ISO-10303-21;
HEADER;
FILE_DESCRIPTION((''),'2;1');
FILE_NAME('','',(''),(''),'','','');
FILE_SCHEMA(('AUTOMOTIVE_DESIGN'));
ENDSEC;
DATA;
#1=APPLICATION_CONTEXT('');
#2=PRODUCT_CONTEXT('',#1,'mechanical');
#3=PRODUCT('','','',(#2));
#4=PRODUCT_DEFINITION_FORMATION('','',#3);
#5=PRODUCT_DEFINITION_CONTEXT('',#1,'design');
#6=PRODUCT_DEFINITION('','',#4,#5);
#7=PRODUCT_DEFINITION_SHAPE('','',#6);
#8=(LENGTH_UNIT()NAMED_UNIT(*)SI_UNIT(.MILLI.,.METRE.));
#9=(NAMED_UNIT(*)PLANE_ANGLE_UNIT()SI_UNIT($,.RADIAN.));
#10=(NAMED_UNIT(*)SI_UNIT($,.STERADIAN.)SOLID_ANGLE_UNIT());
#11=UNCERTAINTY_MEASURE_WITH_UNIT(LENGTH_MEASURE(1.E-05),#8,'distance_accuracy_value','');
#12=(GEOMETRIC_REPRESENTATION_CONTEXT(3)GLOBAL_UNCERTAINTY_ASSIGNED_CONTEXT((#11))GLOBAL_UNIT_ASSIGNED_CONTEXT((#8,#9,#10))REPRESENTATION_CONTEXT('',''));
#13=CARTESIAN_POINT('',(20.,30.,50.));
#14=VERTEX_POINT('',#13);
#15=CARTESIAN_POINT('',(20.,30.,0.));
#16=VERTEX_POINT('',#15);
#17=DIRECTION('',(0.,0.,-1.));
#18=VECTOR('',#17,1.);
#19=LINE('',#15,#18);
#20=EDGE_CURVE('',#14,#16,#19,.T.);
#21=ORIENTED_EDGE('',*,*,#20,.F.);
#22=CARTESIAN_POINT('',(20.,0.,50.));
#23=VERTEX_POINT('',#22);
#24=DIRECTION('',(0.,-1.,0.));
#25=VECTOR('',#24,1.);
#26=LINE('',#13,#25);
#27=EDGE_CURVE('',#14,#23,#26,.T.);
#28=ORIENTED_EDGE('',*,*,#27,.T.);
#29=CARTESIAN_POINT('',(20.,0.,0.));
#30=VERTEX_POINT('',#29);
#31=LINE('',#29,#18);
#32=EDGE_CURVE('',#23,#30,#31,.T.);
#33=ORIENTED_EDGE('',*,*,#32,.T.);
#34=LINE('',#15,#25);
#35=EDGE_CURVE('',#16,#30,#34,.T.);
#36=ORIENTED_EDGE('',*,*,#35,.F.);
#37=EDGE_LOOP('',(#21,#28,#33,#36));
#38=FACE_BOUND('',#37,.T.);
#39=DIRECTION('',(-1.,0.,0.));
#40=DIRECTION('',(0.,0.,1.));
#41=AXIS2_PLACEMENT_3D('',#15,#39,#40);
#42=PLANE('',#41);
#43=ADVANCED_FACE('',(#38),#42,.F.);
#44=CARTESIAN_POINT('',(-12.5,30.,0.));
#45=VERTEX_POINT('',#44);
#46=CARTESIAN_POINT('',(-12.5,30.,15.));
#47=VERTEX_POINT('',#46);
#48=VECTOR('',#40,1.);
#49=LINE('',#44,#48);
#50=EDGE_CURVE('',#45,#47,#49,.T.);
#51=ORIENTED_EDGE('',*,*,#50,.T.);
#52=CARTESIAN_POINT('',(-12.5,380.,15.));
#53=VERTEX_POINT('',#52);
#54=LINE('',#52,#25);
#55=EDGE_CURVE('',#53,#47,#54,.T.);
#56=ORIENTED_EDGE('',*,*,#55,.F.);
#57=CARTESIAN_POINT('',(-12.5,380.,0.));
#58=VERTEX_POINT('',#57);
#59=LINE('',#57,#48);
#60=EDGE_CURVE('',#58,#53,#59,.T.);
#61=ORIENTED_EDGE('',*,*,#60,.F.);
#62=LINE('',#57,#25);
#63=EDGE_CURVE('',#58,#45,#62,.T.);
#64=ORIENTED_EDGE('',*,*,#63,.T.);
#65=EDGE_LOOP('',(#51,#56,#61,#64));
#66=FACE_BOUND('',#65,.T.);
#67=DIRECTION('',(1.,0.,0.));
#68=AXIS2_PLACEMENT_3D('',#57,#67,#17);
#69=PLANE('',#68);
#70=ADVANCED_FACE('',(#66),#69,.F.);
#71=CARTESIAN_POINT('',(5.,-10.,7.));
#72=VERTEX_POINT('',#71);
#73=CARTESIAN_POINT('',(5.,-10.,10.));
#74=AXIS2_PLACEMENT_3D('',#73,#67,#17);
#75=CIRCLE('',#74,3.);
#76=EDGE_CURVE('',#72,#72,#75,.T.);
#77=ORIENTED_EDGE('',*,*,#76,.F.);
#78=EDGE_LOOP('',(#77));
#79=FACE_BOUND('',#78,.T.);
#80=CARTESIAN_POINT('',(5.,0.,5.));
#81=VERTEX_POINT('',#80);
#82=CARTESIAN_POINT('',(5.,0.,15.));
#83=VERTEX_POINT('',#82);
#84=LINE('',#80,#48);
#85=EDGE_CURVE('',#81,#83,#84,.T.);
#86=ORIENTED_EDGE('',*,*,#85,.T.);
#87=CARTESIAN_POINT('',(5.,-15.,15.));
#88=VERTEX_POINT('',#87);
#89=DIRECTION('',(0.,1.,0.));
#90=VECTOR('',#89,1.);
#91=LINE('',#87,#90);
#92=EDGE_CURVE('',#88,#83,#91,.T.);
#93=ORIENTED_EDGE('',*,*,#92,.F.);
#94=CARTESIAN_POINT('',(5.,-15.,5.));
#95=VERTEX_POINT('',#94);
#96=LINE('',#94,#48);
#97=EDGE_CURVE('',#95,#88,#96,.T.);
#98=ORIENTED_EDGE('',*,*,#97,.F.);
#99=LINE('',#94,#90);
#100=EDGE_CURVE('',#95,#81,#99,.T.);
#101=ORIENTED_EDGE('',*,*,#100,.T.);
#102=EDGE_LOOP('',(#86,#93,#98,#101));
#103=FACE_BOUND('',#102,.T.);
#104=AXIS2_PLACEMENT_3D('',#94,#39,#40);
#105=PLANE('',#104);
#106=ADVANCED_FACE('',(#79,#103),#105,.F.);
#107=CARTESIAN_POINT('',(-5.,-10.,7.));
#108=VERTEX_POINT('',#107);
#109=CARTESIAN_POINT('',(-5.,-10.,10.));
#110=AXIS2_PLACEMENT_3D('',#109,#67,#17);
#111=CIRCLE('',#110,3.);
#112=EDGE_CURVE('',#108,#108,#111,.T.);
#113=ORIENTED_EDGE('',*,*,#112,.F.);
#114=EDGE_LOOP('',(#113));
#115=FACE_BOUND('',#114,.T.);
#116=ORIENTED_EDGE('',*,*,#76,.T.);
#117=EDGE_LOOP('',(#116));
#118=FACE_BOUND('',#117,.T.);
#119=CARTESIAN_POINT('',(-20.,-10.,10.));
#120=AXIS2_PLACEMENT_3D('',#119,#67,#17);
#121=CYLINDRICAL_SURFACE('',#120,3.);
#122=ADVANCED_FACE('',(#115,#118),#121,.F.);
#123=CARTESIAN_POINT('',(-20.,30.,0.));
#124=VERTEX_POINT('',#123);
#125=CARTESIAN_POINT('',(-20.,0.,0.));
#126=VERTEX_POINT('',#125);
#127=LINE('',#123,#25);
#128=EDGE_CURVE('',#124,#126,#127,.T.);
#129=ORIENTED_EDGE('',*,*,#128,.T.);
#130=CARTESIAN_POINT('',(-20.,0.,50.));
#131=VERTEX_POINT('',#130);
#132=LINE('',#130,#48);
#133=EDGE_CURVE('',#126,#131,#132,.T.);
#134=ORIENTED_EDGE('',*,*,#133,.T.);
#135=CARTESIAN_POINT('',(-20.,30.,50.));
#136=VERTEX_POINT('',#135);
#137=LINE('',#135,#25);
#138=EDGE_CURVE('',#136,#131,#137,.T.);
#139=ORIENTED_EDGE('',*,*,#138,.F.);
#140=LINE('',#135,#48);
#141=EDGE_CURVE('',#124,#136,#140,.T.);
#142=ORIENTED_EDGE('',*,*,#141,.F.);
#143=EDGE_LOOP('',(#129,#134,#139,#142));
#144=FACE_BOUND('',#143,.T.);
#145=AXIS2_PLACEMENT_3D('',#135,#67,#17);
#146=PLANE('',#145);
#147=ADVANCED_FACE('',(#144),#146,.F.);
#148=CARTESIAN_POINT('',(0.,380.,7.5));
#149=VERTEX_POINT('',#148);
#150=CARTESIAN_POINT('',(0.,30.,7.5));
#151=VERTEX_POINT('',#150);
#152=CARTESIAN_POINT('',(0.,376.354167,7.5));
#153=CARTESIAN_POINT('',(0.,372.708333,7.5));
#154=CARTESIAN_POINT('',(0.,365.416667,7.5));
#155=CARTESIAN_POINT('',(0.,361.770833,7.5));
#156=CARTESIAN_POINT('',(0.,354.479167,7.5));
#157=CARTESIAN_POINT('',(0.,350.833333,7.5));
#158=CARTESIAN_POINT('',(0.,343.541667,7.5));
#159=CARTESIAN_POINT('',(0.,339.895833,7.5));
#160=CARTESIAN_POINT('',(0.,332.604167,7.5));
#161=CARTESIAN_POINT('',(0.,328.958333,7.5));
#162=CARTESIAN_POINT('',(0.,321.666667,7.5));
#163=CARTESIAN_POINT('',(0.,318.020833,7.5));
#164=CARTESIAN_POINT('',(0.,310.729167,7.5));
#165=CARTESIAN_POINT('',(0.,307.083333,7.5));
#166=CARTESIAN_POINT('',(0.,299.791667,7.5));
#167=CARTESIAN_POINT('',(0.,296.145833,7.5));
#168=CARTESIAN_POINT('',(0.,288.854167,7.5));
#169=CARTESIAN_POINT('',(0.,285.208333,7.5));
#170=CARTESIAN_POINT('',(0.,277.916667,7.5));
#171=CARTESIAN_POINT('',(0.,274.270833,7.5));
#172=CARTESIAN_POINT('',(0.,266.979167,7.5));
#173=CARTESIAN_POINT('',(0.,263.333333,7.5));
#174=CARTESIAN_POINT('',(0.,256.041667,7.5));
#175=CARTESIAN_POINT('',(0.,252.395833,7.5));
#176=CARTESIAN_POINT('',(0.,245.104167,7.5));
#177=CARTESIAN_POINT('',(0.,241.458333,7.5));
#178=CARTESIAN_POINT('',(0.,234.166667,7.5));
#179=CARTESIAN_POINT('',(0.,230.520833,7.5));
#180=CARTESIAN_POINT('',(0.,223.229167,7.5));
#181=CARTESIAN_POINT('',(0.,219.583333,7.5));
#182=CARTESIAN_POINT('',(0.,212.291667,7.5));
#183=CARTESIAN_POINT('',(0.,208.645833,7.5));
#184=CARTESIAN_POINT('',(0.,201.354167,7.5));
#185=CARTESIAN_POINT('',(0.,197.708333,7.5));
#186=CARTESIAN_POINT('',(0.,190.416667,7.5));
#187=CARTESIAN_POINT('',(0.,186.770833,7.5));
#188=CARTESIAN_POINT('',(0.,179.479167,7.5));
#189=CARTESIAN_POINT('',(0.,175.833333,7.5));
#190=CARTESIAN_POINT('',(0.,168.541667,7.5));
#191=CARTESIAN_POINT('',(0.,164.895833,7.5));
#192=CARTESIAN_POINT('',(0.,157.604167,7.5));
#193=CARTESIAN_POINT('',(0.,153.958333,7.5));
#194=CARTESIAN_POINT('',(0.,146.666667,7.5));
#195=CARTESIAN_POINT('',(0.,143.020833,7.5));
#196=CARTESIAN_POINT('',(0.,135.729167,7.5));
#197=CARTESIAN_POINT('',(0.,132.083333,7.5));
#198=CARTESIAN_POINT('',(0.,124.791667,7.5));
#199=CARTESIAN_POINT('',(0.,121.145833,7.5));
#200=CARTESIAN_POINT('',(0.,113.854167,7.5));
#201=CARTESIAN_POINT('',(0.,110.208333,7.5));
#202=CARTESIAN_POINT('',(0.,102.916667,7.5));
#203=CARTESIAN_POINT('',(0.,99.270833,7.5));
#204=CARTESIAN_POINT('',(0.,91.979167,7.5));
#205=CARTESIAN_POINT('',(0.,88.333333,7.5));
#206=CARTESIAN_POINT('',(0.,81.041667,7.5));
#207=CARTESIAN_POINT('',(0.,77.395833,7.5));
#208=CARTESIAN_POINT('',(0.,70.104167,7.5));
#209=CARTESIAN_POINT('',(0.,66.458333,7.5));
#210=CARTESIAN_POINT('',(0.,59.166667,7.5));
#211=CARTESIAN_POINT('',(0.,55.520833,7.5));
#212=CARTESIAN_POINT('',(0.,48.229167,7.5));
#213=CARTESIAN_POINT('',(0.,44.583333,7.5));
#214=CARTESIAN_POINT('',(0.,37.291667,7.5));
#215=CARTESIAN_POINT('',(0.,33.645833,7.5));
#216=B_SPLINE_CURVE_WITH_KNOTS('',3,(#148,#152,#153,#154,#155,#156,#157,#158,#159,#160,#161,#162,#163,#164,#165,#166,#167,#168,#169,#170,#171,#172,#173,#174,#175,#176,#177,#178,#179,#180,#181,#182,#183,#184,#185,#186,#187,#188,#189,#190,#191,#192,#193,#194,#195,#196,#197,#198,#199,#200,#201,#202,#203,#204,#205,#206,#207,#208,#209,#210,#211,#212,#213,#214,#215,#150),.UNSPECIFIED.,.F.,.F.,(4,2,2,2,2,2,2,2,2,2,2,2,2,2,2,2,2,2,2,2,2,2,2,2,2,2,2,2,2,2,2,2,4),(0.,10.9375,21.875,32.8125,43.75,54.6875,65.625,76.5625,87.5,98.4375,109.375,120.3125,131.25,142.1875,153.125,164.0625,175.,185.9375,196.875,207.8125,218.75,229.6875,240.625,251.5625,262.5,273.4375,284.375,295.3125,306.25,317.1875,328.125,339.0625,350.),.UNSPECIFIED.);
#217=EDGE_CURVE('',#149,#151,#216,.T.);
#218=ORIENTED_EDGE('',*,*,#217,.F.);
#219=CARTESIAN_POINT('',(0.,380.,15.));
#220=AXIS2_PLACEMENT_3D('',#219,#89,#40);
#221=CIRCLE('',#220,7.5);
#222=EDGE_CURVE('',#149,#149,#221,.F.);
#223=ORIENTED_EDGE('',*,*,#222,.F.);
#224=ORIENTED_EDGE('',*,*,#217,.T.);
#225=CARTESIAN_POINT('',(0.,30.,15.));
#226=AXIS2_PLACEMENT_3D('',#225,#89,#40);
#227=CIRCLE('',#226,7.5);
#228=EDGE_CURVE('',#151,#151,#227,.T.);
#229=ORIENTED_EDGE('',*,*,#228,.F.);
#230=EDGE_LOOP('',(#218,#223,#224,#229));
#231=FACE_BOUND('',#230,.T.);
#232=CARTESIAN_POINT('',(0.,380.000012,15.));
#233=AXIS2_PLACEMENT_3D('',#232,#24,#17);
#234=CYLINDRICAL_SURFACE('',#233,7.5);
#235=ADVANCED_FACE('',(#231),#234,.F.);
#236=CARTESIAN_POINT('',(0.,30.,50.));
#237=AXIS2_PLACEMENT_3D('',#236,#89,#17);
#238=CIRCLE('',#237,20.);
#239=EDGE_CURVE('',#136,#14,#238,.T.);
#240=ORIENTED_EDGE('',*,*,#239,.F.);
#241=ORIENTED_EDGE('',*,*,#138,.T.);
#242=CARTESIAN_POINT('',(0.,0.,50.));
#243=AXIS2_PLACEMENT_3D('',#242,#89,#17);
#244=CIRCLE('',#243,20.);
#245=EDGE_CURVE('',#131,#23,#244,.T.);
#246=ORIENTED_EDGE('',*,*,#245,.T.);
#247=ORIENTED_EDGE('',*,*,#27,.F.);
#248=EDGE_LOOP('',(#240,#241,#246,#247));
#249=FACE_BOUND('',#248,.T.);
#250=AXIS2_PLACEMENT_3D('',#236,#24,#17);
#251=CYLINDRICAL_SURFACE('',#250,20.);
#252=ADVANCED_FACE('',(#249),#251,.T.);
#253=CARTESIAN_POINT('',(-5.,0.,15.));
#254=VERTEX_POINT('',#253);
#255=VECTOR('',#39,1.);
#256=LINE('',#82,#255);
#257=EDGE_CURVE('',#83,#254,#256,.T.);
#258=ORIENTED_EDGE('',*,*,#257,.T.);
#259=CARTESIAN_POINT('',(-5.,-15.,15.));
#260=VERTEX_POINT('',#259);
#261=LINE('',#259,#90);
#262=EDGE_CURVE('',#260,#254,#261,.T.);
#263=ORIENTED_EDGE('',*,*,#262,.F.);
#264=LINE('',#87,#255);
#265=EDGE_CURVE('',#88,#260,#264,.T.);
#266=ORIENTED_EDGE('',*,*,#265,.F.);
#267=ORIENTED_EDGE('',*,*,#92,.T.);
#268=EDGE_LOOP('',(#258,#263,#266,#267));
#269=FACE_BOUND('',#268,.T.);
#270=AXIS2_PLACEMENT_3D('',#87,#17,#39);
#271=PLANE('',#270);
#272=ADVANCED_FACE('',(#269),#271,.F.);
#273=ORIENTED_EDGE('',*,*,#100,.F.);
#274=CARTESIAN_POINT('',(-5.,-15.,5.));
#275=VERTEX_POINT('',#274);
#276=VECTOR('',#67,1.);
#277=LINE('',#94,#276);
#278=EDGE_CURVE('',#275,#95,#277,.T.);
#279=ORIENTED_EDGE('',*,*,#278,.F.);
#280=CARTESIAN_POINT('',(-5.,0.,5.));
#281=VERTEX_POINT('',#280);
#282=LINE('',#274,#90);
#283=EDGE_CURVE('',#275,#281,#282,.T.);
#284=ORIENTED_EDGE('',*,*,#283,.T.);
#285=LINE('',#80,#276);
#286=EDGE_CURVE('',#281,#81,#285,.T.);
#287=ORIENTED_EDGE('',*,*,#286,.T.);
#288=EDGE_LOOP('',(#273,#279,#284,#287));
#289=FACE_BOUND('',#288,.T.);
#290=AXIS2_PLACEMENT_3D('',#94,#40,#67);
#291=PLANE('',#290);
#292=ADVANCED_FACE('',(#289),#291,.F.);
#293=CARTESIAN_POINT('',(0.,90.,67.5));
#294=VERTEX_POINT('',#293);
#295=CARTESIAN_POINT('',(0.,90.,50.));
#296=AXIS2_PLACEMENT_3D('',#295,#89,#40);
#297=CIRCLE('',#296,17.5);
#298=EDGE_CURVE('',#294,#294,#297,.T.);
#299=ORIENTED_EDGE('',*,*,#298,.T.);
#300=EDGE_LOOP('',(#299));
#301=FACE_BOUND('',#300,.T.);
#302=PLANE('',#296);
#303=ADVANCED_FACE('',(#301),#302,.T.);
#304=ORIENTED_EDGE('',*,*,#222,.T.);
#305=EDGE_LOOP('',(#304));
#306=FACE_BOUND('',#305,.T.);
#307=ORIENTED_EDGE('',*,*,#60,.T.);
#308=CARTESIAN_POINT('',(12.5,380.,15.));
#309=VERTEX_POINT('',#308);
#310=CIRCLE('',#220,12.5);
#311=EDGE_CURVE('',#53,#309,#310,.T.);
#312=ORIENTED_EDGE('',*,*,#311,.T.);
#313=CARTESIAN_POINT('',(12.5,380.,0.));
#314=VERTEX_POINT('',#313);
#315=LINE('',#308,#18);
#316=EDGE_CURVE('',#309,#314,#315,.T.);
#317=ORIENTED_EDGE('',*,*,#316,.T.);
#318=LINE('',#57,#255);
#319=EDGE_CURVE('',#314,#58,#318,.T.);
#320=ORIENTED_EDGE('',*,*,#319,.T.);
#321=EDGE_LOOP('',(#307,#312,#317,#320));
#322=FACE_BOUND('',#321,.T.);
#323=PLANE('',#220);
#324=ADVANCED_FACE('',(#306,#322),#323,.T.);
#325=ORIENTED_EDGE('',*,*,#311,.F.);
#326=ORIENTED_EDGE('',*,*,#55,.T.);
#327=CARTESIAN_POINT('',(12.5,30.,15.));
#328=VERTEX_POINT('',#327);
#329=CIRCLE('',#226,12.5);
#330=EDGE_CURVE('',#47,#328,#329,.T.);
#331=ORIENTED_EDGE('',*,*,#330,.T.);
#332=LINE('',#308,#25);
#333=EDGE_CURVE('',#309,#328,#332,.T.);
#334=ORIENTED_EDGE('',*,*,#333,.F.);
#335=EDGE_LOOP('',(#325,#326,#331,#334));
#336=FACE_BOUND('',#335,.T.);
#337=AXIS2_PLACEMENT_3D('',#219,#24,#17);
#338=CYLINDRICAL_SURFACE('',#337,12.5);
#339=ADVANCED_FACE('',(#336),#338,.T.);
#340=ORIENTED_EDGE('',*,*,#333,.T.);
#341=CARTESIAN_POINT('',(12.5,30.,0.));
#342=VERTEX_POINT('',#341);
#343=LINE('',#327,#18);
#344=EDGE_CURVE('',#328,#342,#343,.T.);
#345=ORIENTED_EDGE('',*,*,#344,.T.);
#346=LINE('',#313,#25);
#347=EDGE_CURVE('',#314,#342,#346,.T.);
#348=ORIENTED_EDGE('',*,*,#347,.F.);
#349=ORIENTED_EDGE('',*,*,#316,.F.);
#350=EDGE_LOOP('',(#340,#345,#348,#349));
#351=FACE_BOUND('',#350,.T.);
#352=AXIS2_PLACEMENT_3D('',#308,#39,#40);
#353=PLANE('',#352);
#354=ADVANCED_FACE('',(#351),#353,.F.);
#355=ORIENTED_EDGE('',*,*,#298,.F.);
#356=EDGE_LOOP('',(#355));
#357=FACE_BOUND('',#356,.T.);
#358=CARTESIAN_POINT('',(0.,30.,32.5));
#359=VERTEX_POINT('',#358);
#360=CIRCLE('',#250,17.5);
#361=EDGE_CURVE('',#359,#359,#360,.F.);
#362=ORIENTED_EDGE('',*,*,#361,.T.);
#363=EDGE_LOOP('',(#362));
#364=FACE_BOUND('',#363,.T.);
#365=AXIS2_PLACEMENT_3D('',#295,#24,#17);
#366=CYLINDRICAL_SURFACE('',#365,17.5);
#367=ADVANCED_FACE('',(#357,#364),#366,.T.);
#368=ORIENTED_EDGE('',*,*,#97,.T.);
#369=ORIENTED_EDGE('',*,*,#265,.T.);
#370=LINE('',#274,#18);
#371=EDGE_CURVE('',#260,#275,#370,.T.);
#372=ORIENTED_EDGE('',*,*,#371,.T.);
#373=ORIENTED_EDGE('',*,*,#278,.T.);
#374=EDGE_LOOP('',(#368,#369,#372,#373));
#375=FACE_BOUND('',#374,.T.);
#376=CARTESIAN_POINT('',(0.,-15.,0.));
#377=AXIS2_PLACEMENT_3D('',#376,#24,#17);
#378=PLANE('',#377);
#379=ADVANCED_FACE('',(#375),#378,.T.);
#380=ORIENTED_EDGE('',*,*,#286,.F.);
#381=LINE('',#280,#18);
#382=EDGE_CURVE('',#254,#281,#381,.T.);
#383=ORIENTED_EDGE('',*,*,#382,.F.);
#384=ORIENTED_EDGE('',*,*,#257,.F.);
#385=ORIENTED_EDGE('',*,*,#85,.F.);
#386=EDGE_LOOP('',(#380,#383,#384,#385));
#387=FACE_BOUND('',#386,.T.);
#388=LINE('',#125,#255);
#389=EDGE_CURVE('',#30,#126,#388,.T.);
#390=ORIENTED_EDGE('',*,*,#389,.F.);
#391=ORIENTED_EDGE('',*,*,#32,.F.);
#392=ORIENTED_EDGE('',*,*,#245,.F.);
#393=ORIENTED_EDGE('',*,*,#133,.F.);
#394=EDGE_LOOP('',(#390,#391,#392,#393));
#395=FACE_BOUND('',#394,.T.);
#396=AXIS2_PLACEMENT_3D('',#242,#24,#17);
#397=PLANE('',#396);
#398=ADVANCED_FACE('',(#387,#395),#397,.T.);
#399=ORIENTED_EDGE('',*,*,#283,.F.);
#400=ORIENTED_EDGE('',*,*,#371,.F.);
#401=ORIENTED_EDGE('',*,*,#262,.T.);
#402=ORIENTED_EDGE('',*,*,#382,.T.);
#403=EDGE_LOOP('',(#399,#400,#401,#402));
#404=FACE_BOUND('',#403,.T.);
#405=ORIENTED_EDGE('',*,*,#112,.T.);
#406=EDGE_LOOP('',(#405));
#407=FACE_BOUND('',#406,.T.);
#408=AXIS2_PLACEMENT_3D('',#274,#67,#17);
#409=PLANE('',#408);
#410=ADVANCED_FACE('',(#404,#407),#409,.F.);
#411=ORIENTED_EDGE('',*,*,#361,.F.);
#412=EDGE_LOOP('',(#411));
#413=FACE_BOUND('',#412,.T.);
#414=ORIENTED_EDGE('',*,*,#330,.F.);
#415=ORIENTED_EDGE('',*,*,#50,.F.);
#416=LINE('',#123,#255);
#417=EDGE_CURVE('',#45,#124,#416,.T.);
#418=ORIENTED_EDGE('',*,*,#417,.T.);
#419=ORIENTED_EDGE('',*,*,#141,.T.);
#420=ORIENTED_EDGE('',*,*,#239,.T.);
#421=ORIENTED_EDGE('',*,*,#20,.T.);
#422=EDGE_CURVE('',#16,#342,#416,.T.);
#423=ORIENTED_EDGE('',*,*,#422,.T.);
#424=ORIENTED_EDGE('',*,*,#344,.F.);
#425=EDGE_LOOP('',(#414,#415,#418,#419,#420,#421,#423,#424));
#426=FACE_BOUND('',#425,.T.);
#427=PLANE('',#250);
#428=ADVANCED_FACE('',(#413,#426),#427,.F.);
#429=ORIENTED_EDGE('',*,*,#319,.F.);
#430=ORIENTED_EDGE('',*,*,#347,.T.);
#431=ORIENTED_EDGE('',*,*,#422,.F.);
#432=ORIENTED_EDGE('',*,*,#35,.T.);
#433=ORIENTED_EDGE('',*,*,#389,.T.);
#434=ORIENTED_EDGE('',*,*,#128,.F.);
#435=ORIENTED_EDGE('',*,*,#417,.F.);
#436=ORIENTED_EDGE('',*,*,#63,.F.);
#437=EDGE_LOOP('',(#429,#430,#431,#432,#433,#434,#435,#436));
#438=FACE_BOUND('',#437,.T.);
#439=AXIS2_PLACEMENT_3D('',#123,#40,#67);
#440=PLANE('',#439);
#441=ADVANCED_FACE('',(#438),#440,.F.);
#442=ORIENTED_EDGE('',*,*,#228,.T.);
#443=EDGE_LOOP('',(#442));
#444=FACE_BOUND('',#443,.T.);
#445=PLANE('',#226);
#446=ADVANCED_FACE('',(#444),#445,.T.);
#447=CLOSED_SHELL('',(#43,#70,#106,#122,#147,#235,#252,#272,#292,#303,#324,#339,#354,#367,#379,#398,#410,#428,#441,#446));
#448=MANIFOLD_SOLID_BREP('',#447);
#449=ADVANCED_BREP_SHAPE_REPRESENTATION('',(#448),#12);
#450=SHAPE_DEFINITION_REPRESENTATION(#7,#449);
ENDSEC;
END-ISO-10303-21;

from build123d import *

# Parameters (mm, degrees)
BOSS_EXTRUDE1_DEPTH     = 30
SKETCH2_R               = 17.5
BOSS_EXTRUDE2_DEPTH     = 60
BOSS_EXTRUDE3_DEPTH     = 350
CUT_EXTRUDE1_DEPTH      = 387.910842443
CUT_EXTRUDE1_DEPTH_BACK = 350
SKETCH4_R               = 7.5
SKETCH5_W               = 10
SKETCH5_H               = 10
BOSS_EXTRUDE4_DEPTH     = 15
SKETCH6_R               = 3
CUT_EXTRUDE2_DEPTH      = 388.201497931


with BuildPart() as part:
    # Sketch1 → Boss-Extrude1 (new body)
    with BuildSketch(Plane(origin=(0, 0, 0), x_dir=(1, 0, 0), z_dir=(0, 1, 0))):
        with BuildLine():
            Line((-20, -50), (-20, 0))
            Line((-20, 0), (20, 0))
            Line((20, 0), (20, -50))
            ThreePointArc((20, -50), (0, -70), (-20, -50))
        make_face()
    extrude(amount=BOSS_EXTRUDE1_DEPTH)

    # Sketch2 → Boss-Extrude2 (add)
    with BuildSketch(Plane(origin=(0, 30, 0), x_dir=(1, 0, 0), z_dir=(0, 1, 0))):
        with Locations(Location((0, -50, 0), (0, 0, 90))):
            Circle(SKETCH2_R)
    extrude(amount=BOSS_EXTRUDE2_DEPTH)

    # Sketch3 → Boss-Extrude3 (add)
    with BuildSketch(Plane(origin=(0, 30, 0), x_dir=(1, 0, 0), z_dir=(0, 1, 0))):
        with BuildLine():
            Line((-12.5, 0), (-12.5, -15))
            ThreePointArc((-12.5, -15), (0, -27.5), (12.5, -15))
            Line((12.5, -15), (12.5, 0))
            Line((12.5, 0), (-12.5, 0))
        make_face()
    extrude(amount=BOSS_EXTRUDE3_DEPTH)

    # Sketch4 → Cut-Extrude1 (cut, two sides: drawn at the far end of the back side and taken through both)
    with BuildSketch(Plane(origin=(0, 380, 0), x_dir=(1, 0, 0), z_dir=(0, 1, 0)).offset(-CUT_EXTRUDE1_DEPTH_BACK)):
        with Locations(Location((0, -15, 0), (0, 0, 90))):
            Circle(SKETCH4_R)
    extrude(amount=CUT_EXTRUDE1_DEPTH + CUT_EXTRUDE1_DEPTH_BACK, mode=Mode.SUBTRACT)

    # Sketch5 → Boss-Extrude4 (add)
    with BuildSketch(Plane(origin=(0, 0, 0), x_dir=(-1, 0, 0), z_dir=(0, -1, 0))):
        with Locations((0, -10)):
            Rectangle(SKETCH5_W, SKETCH5_H)
    extrude(amount=BOSS_EXTRUDE4_DEPTH)

    # Sketch6 → Cut-Extrude2 (cut, through all)
    with BuildSketch(Plane(origin=(5, 0, 0), x_dir=(0, 0, -1), z_dir=(1, 0, 0))):
        with Locations((-10, -10)):
            Circle(SKETCH6_R)
    extrude(amount=-CUT_EXTRUDE2_DEPTH, mode=Mode.SUBTRACT)


solid = part.part
